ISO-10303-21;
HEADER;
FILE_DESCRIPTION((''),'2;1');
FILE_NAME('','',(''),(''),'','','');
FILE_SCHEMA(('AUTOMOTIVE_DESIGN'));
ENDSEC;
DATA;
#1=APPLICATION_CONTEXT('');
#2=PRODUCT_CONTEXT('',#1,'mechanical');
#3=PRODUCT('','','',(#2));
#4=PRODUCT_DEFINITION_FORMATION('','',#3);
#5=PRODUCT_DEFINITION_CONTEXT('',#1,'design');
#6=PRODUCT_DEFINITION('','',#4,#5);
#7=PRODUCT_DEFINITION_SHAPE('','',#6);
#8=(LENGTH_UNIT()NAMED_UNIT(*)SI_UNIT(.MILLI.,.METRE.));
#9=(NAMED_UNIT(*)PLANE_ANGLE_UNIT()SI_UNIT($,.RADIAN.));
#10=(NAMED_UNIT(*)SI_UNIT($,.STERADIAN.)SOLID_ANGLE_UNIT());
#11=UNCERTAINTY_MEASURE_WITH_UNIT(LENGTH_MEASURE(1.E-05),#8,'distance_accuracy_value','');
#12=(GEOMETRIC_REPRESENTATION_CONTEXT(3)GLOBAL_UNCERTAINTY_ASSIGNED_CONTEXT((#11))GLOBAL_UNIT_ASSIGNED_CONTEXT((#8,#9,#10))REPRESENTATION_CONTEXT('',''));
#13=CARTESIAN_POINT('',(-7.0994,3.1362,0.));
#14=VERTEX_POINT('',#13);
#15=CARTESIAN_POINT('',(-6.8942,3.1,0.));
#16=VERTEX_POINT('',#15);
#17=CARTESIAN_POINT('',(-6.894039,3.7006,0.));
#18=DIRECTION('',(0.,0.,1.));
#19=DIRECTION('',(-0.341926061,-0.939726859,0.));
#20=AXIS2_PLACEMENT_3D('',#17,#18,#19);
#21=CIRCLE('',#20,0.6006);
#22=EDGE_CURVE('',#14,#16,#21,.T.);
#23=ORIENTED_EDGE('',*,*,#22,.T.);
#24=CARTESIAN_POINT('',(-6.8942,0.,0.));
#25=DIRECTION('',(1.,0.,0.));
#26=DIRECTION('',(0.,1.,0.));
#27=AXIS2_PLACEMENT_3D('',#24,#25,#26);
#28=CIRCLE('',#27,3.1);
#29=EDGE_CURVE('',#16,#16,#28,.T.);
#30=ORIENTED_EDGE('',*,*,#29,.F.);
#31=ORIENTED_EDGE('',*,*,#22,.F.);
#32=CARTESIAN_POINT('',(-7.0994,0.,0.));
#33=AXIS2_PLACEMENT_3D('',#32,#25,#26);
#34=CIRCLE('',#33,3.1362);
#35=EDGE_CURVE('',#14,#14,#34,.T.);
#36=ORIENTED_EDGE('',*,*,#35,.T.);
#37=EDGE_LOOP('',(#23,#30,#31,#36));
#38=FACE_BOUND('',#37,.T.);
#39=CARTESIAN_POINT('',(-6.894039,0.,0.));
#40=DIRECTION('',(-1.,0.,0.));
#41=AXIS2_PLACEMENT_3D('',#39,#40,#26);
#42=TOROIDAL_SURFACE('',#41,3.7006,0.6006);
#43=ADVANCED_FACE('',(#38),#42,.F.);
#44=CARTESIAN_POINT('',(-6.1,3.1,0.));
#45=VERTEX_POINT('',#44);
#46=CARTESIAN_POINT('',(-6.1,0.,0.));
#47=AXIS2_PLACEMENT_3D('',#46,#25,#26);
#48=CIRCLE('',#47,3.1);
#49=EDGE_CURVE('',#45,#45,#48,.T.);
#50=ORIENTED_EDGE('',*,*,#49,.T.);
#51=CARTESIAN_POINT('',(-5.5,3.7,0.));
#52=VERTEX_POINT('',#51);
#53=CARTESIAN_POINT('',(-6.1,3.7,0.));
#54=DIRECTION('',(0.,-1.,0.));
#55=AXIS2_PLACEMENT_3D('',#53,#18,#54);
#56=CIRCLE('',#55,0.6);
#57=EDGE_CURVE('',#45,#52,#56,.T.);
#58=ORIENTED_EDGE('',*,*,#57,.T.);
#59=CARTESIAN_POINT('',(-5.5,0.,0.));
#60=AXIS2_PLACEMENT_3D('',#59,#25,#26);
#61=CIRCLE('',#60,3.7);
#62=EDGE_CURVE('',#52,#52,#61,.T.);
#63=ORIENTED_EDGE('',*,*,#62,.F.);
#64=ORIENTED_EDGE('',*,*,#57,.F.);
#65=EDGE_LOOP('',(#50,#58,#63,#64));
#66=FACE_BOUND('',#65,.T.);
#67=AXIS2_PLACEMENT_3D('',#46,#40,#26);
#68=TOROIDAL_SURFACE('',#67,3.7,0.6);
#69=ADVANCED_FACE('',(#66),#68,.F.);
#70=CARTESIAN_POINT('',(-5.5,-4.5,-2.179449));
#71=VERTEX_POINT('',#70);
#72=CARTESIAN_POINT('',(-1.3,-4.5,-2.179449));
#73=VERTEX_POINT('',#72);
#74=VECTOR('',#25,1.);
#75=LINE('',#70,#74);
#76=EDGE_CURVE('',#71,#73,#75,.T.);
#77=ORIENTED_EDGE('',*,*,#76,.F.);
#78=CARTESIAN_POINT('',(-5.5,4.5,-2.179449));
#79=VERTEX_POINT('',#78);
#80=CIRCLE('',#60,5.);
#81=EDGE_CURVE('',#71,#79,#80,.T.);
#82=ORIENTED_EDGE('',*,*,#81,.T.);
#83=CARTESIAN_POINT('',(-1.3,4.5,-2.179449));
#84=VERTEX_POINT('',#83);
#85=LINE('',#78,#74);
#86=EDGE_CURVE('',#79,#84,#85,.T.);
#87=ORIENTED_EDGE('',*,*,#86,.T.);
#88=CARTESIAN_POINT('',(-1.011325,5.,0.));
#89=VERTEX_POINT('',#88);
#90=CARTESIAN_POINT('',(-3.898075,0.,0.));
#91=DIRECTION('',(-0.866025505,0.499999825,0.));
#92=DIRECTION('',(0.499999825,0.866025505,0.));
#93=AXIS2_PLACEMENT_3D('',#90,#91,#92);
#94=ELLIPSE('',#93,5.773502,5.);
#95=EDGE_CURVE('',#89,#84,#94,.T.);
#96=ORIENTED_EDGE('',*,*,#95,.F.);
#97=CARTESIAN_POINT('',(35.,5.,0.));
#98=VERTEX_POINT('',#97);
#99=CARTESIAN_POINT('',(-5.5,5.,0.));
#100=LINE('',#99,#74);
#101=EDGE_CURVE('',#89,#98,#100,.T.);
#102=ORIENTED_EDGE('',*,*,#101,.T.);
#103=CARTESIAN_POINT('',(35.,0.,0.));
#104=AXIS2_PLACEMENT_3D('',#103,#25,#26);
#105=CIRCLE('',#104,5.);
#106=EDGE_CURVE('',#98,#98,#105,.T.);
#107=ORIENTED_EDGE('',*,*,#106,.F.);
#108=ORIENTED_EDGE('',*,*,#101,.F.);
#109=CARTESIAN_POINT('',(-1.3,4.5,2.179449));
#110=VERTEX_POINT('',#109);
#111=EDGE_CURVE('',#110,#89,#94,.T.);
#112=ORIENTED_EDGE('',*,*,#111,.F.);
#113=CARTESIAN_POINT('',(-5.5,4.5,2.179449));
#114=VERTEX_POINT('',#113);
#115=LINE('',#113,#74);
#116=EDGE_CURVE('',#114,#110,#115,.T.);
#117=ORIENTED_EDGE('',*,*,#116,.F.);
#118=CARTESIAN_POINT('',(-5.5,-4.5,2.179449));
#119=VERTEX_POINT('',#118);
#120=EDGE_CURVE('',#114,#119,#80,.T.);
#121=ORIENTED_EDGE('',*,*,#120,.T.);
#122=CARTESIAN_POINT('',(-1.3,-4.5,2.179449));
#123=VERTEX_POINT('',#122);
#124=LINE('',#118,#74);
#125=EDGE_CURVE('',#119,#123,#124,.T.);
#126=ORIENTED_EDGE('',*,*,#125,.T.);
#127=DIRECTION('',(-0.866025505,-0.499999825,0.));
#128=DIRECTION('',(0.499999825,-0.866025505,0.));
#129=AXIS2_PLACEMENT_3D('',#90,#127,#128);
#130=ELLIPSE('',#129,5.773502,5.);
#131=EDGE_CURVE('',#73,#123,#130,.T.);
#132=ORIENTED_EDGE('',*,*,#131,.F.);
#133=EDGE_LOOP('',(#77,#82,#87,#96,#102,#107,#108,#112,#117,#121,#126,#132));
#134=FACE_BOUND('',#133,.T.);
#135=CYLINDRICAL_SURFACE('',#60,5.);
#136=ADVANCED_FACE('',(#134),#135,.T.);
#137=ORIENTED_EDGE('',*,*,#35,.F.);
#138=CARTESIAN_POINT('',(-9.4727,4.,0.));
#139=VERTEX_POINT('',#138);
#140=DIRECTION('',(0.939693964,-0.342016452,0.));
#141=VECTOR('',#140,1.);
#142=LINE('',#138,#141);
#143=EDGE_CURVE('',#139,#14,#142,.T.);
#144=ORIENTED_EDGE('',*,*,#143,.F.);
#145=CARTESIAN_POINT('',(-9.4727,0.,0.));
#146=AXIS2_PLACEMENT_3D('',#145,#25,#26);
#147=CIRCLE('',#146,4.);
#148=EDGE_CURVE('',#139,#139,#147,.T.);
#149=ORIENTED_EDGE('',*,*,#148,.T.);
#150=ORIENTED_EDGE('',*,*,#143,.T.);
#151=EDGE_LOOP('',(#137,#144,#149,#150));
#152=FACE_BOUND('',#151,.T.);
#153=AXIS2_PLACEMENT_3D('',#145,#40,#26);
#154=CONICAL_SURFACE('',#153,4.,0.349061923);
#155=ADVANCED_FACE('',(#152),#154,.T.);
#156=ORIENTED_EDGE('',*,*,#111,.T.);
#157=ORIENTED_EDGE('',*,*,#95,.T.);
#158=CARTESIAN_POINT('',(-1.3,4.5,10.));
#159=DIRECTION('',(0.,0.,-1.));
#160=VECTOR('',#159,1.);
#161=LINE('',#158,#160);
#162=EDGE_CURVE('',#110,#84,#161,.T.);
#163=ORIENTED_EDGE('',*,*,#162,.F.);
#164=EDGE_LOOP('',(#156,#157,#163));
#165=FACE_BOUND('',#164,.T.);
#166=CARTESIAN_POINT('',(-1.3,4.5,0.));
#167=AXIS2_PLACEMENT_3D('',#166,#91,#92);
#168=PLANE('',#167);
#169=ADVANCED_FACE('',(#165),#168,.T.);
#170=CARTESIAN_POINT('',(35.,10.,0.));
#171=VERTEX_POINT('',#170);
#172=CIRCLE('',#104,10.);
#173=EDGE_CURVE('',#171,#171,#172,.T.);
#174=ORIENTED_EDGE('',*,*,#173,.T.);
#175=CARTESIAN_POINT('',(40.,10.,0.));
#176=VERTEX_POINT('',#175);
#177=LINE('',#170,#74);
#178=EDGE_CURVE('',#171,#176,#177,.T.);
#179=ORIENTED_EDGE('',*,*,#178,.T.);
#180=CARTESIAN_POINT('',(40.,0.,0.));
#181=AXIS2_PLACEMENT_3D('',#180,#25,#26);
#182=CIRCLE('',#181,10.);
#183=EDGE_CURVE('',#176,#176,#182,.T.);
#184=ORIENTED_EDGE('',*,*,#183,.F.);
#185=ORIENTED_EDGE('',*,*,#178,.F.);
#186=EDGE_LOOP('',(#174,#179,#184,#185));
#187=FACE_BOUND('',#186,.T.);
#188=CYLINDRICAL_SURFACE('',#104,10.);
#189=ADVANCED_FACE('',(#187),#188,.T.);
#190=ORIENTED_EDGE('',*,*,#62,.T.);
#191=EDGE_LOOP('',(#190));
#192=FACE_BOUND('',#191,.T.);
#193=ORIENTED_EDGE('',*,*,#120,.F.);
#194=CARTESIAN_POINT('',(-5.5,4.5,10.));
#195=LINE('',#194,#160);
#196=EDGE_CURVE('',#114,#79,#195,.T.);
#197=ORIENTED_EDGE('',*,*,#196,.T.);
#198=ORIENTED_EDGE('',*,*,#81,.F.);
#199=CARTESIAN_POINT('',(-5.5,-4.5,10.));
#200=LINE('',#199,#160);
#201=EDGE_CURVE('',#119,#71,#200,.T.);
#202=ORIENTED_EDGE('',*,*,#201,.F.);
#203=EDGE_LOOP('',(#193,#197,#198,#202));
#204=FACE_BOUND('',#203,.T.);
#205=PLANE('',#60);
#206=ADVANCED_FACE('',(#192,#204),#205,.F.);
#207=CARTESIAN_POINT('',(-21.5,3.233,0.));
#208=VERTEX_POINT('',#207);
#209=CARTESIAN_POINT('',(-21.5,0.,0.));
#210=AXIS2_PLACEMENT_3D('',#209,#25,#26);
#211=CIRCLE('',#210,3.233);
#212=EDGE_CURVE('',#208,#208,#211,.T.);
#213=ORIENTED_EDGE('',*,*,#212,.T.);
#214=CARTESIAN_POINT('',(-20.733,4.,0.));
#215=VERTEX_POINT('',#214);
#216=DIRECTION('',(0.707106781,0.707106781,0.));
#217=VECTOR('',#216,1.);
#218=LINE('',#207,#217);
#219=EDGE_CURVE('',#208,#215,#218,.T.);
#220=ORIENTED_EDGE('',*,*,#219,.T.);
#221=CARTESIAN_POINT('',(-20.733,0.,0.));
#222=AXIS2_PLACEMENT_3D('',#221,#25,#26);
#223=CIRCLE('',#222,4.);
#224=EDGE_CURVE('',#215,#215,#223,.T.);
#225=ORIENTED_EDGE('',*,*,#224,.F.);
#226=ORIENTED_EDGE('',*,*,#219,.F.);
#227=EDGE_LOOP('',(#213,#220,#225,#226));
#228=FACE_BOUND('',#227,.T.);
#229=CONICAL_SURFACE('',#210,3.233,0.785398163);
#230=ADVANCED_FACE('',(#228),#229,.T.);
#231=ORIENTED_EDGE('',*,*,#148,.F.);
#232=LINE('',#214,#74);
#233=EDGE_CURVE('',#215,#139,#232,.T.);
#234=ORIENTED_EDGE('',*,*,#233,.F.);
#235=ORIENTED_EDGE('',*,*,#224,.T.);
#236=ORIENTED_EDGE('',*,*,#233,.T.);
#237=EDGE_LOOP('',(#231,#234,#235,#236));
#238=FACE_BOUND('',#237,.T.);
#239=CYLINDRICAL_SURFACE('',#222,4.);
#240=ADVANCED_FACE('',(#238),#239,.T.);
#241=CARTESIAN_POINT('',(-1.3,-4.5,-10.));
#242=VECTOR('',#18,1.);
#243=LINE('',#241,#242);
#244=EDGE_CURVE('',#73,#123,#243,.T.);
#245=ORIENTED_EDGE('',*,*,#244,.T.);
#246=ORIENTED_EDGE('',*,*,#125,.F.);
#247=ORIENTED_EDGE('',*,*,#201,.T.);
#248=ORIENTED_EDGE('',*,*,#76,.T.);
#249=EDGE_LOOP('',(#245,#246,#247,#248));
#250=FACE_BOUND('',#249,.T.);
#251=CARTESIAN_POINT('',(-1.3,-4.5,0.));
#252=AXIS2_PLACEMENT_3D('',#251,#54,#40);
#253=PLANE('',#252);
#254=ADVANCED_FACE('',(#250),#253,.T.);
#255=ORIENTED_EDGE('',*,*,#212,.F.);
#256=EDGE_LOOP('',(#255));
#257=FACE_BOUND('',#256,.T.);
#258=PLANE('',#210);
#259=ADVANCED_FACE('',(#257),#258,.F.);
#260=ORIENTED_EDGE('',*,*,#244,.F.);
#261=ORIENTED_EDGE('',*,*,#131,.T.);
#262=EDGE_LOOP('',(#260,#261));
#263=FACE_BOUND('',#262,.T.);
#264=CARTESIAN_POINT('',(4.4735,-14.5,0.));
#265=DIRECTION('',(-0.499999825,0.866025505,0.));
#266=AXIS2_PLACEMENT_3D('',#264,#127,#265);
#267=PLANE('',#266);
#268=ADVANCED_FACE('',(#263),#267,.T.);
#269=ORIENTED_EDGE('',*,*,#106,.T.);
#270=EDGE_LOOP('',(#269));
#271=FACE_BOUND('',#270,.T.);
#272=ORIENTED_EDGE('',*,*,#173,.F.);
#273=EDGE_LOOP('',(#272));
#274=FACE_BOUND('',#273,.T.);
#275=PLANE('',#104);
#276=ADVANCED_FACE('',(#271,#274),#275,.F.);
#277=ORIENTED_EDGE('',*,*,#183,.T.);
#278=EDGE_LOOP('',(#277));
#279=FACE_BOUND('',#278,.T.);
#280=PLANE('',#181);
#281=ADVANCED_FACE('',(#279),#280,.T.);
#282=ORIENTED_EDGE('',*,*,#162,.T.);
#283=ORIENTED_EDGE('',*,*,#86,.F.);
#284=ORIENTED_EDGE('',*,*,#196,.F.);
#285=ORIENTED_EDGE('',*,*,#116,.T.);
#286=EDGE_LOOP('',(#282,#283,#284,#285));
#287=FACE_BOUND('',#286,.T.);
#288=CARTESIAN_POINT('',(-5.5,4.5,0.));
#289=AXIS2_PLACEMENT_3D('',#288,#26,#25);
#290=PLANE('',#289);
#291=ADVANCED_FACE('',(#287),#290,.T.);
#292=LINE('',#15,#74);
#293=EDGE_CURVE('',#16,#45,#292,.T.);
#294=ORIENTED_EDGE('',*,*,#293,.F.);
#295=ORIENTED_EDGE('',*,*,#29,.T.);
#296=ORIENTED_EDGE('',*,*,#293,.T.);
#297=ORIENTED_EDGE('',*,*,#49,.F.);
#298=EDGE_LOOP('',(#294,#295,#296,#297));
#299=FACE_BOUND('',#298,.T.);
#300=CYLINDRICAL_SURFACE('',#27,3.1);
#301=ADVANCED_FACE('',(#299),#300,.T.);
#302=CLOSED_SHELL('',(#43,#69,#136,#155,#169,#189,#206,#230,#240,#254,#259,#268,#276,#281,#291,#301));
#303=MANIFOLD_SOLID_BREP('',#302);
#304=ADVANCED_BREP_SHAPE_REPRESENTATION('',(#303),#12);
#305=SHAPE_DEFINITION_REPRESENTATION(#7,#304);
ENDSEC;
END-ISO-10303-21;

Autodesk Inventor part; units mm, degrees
sketch "Sketch_1" plane through (0, 0, 0) normal (0, 0, 1) x (1, 0, 0)
  line L0 (40, 0) -> (-5.5, 0)
  line L1 (-5.5, 0) -> (-5.5, 5)
  line L2 (-5.5, 5) -> (40, 5)
  line L3 (40, 5) -> (40, 0)
  line L4 (40, 0) -> (-5.5, 0)
revolve "Revolution1" add sketch "Sketch_1" angle 360 about axis through (40, 0, 0) along (1, 0, 0)
sketch "Sketch_11" plane through (0, 0, 0) normal (0, 0, 1) x (1, 0, 0)
  line L0 (40, 0) -> (35, 0)
  line L1 (35, 0) -> (35, 10)
  line L2 (35, 10) -> (40, 10)
  line L3 (40, 10) -> (40, 0)
  line L4 (40, 0) -> (35, 0)
revolve "Revolution2" add sketch "Sketch_11" angle 360 about axis through (40, 0, 0) along (1, 0, 0)
sketch "Sketch_19" plane through (0, 0, 0) normal (0, 0, 1) x (1, 0, 0)
  line L0 (-4.5, 0) -> (-21.5, 0)
  line L1 (-21.5, 0) -> (-21.5, 3.233)
  line L2 (-21.5, 3.233) -> (-20.733, 4)
  line L3 (-20.733, 4) -> (-9.4727, 4)
  line L4 (-9.4727, 4) -> (-7.0994, 3.1362)
  arc A0 (-7.0994, 3.1362) -> (-6.8942, 3.1) centre (-6.8942, 3.7) ccw
  line L5 (-6.8942, 3.1) -> (-6.1, 3.1)
  arc A1 (-6.1, 3.1) -> (-5.5, 3.7) centre (-6.1, 3.7) ccw
  line L6 (-5.5, 3.7) -> (-5.5, 4)
  line L7 (-5.5, 4) -> (-4.5, 4)
  line L8 (-4.5, 4) -> (-4.5, 0)
  line L9 (-4.5, 0) -> (-21.5, 0)
revolve "Revolution3" add sketch "Sketch_19" angle 360 about axis through (-4.5, 0, 0) along (1, 0, 0)
thread "Thread1" size "M8x1.25" class "6g" standard "ISO Metric profile" full length
sketch "Sketch_20" plane through (0, 0, 0) normal (0, 0, 1) x (1, 0, 0)
  line L0 (-32, -14.5) -> (4.4735, -14.5)
  line L1 (4.4735, -14.5) -> (-1.3, -4.5)
  line L2 (-1.3, -4.5) -> (-5.5, -4.5)
  line L3 (-5.5, -4.5) -> (-5.5, -9.5)
  line L4 (-5.5, -9.5) -> (-26.5, -9.5)
  line L5 (-26.5, -9.5) -> (-26.5, 9.5)
  line L6 (-26.5, 9.5) -> (-5.5, 9.5)
  line L7 (-5.5, 9.5) -> (-5.5, 4.5)
  line L8 (-5.5, 4.5) -> (-1.3, 4.5)
  line L9 (-1.3, 4.5) -> (4.4735, 14.5)
  line L10 (4.4735, 14.5) -> (-32, 14.5)
  line L11 (-32, 14.5) -> (-32, -14.5)
extrude "Extrusion1" cut sketch "Sketch_20" along normal mid plane 20
ref_plane "FDT_PIRODACC_M1_XY" through (-13.5, 0, 0) normal (-1, 0, 0) x (0, 1, 0)
ref_plane "FDT_PIRODACC_M1_YZ" through (-13.5, 0, 0) normal (0, 1, 0) x (0, 0, -1)
ref_plane "FDT_PIRODACC_M1_ZX" through (-13.5, 0, 0) normal (0, 0, -1) x (-1, 0, 0)
ref_plane "NUT1_XY" through (-11.5, 0, 0) normal (1, 0, 0) x (0, 0, -1)
ref_plane "NUT1_YZ" through (-11.5, 0, 0) normal (0, 0, -1) x (0, 1, 0)
ref_plane "NUT1_ZX" through (-11.5, 0, 0) normal (0, 1, 0) x (1, 0, 0)
ref_plane "PISTON_XY" through (40, 0, 0) normal (1, 0, 0) x (0, 0, -1)
ref_plane "PISTON_YZ" through (40, 0, 0) normal (0, 0, -1) x (0, 1, 0)
ref_plane "PISTON_ZX" through (40, 0, 0) normal (0, 1, 0) x (1, 0, 0)
properties part number "536233 ADN-15-P-A_(KS)"
